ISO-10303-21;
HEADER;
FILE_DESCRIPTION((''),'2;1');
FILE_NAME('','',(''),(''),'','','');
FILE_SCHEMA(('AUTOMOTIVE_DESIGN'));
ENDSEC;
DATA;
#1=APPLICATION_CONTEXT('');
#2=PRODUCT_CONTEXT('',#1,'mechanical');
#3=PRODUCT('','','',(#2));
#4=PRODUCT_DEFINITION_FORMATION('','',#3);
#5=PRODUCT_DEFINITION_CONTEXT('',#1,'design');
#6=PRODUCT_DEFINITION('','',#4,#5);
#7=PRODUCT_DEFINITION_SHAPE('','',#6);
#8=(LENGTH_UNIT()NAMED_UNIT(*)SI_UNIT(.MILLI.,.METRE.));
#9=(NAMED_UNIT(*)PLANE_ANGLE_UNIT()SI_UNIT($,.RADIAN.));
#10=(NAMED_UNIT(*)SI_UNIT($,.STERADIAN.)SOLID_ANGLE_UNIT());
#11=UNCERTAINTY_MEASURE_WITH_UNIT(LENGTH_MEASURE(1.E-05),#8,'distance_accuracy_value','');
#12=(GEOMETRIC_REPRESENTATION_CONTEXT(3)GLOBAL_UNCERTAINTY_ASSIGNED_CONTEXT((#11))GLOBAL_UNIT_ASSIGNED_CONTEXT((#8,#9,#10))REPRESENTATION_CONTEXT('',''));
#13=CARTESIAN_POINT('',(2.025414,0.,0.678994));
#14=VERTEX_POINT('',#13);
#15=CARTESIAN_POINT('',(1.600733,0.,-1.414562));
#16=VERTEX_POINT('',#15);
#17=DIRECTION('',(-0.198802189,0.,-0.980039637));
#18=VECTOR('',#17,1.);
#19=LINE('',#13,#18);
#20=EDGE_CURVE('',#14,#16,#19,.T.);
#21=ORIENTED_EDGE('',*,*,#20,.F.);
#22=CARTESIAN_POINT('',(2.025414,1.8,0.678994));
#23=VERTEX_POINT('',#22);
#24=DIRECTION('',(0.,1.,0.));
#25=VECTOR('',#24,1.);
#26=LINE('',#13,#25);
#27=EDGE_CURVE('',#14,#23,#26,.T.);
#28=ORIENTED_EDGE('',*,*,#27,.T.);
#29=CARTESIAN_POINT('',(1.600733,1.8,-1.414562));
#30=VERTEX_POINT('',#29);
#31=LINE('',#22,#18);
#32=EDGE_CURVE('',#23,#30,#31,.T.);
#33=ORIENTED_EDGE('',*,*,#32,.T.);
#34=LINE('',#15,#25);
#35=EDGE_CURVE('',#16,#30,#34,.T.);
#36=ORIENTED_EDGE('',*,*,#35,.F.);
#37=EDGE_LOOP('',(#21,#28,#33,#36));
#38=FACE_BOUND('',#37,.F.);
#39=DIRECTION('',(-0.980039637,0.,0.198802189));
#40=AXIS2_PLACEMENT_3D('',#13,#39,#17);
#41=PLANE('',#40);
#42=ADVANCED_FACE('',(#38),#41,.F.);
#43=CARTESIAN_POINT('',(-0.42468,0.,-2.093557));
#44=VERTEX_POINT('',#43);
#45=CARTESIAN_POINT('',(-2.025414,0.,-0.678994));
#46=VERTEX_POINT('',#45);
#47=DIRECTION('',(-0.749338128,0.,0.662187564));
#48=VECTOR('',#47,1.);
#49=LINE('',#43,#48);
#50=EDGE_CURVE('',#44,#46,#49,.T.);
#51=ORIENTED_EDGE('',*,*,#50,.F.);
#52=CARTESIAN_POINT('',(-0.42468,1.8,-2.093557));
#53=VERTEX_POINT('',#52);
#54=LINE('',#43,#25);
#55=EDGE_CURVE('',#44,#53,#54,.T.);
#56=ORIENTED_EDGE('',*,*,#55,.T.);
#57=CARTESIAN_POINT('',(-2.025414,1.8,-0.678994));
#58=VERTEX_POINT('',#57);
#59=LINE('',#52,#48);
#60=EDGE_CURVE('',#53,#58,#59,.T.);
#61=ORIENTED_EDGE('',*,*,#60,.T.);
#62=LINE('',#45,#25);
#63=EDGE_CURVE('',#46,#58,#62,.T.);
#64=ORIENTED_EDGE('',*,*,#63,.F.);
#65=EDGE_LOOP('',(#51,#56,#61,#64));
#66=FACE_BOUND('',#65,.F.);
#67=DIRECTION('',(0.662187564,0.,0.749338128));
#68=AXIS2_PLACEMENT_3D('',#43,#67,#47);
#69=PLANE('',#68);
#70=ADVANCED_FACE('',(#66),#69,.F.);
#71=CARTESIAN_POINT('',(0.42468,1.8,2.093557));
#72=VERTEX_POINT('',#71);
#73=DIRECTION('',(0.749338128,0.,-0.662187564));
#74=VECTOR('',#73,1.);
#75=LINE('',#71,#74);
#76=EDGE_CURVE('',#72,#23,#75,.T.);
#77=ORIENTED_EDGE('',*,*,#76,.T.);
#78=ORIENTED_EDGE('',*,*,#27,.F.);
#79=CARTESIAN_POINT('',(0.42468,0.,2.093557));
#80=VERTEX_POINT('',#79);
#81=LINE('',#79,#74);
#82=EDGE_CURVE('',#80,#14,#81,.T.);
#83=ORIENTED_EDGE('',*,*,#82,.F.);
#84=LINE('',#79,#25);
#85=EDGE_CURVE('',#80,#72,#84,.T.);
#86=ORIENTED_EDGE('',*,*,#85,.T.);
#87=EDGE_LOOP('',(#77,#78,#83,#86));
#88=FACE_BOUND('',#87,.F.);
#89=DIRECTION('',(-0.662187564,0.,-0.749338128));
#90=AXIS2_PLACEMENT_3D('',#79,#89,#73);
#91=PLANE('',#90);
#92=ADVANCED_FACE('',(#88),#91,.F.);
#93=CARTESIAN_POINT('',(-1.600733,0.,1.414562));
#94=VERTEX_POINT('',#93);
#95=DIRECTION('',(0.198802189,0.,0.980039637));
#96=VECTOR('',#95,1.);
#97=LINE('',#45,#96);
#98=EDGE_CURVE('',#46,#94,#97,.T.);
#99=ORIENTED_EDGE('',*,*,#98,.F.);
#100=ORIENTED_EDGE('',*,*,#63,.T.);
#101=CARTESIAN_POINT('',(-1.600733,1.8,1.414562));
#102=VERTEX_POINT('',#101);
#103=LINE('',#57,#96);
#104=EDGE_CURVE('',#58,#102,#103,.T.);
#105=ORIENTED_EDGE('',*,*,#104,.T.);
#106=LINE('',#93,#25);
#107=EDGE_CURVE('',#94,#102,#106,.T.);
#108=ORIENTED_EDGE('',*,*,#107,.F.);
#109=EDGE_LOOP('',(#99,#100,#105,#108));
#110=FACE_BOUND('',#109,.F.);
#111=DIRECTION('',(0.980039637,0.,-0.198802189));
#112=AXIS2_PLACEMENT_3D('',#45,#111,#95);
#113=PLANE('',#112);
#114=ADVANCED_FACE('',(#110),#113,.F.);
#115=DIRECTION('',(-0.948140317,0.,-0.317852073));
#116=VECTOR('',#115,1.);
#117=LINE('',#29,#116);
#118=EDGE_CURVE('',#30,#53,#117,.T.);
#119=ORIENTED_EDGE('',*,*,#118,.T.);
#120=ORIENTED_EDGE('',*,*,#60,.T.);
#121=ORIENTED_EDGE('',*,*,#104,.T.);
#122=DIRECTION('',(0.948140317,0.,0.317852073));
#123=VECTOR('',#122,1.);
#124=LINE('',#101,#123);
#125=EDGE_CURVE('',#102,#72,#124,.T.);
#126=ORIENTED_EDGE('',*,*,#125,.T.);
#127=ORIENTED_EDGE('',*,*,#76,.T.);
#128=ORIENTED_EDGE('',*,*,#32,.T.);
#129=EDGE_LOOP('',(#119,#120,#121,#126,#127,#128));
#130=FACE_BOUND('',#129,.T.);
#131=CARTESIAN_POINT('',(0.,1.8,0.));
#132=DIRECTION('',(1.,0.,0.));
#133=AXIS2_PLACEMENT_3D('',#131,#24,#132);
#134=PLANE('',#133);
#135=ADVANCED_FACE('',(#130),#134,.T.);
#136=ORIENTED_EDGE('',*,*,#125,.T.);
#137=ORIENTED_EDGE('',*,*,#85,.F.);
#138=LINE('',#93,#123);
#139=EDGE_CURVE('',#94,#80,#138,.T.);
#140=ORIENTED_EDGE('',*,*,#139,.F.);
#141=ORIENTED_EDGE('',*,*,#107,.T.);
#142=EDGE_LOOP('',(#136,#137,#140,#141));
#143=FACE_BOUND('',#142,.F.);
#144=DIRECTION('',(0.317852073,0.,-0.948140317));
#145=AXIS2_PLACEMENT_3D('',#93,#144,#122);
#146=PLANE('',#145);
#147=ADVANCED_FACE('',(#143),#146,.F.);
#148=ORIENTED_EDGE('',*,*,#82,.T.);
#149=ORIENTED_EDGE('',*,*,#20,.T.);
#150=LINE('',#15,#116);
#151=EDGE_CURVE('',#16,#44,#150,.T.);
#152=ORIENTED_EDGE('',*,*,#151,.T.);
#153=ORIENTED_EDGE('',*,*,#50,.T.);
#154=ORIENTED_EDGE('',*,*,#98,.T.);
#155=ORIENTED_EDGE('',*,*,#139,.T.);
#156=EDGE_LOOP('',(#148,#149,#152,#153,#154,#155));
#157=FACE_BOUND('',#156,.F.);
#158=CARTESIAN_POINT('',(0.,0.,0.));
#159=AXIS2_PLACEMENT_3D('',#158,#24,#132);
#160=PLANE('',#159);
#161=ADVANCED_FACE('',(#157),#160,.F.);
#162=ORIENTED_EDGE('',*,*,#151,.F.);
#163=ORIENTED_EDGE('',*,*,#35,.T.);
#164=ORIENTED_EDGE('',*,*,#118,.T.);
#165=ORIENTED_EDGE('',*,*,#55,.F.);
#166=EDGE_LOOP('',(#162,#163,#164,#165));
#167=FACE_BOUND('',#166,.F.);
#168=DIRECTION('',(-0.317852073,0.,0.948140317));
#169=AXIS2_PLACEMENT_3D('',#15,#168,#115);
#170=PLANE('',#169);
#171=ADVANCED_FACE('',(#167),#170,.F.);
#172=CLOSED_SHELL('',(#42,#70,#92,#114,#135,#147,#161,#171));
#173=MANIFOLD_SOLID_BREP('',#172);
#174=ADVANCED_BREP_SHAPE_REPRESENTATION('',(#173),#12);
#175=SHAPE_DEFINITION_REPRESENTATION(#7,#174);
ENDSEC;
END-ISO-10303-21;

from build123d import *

# Parameters (mm, degrees)
BOSS_EXTRUDE1_DEPTH = 1.8


with BuildPart() as part:
    # Sketch1 → Boss-Extrude1 (new body)
    with BuildSketch(Plane(origin=(0, 0, 0), x_dir=(1, 0, 0), z_dir=(0, 1, 0))):
        Polygon((1.600733108, 1.414562422), (-0.424680439, 2.093556747), (-2.025413547, 0.678994325), (-1.600733108, -1.414562422), (0.424680439, -2.093556747), (2.025413547, -0.678994325), align=None)
    extrude(amount=BOSS_EXTRUDE1_DEPTH)


solid = part.part
